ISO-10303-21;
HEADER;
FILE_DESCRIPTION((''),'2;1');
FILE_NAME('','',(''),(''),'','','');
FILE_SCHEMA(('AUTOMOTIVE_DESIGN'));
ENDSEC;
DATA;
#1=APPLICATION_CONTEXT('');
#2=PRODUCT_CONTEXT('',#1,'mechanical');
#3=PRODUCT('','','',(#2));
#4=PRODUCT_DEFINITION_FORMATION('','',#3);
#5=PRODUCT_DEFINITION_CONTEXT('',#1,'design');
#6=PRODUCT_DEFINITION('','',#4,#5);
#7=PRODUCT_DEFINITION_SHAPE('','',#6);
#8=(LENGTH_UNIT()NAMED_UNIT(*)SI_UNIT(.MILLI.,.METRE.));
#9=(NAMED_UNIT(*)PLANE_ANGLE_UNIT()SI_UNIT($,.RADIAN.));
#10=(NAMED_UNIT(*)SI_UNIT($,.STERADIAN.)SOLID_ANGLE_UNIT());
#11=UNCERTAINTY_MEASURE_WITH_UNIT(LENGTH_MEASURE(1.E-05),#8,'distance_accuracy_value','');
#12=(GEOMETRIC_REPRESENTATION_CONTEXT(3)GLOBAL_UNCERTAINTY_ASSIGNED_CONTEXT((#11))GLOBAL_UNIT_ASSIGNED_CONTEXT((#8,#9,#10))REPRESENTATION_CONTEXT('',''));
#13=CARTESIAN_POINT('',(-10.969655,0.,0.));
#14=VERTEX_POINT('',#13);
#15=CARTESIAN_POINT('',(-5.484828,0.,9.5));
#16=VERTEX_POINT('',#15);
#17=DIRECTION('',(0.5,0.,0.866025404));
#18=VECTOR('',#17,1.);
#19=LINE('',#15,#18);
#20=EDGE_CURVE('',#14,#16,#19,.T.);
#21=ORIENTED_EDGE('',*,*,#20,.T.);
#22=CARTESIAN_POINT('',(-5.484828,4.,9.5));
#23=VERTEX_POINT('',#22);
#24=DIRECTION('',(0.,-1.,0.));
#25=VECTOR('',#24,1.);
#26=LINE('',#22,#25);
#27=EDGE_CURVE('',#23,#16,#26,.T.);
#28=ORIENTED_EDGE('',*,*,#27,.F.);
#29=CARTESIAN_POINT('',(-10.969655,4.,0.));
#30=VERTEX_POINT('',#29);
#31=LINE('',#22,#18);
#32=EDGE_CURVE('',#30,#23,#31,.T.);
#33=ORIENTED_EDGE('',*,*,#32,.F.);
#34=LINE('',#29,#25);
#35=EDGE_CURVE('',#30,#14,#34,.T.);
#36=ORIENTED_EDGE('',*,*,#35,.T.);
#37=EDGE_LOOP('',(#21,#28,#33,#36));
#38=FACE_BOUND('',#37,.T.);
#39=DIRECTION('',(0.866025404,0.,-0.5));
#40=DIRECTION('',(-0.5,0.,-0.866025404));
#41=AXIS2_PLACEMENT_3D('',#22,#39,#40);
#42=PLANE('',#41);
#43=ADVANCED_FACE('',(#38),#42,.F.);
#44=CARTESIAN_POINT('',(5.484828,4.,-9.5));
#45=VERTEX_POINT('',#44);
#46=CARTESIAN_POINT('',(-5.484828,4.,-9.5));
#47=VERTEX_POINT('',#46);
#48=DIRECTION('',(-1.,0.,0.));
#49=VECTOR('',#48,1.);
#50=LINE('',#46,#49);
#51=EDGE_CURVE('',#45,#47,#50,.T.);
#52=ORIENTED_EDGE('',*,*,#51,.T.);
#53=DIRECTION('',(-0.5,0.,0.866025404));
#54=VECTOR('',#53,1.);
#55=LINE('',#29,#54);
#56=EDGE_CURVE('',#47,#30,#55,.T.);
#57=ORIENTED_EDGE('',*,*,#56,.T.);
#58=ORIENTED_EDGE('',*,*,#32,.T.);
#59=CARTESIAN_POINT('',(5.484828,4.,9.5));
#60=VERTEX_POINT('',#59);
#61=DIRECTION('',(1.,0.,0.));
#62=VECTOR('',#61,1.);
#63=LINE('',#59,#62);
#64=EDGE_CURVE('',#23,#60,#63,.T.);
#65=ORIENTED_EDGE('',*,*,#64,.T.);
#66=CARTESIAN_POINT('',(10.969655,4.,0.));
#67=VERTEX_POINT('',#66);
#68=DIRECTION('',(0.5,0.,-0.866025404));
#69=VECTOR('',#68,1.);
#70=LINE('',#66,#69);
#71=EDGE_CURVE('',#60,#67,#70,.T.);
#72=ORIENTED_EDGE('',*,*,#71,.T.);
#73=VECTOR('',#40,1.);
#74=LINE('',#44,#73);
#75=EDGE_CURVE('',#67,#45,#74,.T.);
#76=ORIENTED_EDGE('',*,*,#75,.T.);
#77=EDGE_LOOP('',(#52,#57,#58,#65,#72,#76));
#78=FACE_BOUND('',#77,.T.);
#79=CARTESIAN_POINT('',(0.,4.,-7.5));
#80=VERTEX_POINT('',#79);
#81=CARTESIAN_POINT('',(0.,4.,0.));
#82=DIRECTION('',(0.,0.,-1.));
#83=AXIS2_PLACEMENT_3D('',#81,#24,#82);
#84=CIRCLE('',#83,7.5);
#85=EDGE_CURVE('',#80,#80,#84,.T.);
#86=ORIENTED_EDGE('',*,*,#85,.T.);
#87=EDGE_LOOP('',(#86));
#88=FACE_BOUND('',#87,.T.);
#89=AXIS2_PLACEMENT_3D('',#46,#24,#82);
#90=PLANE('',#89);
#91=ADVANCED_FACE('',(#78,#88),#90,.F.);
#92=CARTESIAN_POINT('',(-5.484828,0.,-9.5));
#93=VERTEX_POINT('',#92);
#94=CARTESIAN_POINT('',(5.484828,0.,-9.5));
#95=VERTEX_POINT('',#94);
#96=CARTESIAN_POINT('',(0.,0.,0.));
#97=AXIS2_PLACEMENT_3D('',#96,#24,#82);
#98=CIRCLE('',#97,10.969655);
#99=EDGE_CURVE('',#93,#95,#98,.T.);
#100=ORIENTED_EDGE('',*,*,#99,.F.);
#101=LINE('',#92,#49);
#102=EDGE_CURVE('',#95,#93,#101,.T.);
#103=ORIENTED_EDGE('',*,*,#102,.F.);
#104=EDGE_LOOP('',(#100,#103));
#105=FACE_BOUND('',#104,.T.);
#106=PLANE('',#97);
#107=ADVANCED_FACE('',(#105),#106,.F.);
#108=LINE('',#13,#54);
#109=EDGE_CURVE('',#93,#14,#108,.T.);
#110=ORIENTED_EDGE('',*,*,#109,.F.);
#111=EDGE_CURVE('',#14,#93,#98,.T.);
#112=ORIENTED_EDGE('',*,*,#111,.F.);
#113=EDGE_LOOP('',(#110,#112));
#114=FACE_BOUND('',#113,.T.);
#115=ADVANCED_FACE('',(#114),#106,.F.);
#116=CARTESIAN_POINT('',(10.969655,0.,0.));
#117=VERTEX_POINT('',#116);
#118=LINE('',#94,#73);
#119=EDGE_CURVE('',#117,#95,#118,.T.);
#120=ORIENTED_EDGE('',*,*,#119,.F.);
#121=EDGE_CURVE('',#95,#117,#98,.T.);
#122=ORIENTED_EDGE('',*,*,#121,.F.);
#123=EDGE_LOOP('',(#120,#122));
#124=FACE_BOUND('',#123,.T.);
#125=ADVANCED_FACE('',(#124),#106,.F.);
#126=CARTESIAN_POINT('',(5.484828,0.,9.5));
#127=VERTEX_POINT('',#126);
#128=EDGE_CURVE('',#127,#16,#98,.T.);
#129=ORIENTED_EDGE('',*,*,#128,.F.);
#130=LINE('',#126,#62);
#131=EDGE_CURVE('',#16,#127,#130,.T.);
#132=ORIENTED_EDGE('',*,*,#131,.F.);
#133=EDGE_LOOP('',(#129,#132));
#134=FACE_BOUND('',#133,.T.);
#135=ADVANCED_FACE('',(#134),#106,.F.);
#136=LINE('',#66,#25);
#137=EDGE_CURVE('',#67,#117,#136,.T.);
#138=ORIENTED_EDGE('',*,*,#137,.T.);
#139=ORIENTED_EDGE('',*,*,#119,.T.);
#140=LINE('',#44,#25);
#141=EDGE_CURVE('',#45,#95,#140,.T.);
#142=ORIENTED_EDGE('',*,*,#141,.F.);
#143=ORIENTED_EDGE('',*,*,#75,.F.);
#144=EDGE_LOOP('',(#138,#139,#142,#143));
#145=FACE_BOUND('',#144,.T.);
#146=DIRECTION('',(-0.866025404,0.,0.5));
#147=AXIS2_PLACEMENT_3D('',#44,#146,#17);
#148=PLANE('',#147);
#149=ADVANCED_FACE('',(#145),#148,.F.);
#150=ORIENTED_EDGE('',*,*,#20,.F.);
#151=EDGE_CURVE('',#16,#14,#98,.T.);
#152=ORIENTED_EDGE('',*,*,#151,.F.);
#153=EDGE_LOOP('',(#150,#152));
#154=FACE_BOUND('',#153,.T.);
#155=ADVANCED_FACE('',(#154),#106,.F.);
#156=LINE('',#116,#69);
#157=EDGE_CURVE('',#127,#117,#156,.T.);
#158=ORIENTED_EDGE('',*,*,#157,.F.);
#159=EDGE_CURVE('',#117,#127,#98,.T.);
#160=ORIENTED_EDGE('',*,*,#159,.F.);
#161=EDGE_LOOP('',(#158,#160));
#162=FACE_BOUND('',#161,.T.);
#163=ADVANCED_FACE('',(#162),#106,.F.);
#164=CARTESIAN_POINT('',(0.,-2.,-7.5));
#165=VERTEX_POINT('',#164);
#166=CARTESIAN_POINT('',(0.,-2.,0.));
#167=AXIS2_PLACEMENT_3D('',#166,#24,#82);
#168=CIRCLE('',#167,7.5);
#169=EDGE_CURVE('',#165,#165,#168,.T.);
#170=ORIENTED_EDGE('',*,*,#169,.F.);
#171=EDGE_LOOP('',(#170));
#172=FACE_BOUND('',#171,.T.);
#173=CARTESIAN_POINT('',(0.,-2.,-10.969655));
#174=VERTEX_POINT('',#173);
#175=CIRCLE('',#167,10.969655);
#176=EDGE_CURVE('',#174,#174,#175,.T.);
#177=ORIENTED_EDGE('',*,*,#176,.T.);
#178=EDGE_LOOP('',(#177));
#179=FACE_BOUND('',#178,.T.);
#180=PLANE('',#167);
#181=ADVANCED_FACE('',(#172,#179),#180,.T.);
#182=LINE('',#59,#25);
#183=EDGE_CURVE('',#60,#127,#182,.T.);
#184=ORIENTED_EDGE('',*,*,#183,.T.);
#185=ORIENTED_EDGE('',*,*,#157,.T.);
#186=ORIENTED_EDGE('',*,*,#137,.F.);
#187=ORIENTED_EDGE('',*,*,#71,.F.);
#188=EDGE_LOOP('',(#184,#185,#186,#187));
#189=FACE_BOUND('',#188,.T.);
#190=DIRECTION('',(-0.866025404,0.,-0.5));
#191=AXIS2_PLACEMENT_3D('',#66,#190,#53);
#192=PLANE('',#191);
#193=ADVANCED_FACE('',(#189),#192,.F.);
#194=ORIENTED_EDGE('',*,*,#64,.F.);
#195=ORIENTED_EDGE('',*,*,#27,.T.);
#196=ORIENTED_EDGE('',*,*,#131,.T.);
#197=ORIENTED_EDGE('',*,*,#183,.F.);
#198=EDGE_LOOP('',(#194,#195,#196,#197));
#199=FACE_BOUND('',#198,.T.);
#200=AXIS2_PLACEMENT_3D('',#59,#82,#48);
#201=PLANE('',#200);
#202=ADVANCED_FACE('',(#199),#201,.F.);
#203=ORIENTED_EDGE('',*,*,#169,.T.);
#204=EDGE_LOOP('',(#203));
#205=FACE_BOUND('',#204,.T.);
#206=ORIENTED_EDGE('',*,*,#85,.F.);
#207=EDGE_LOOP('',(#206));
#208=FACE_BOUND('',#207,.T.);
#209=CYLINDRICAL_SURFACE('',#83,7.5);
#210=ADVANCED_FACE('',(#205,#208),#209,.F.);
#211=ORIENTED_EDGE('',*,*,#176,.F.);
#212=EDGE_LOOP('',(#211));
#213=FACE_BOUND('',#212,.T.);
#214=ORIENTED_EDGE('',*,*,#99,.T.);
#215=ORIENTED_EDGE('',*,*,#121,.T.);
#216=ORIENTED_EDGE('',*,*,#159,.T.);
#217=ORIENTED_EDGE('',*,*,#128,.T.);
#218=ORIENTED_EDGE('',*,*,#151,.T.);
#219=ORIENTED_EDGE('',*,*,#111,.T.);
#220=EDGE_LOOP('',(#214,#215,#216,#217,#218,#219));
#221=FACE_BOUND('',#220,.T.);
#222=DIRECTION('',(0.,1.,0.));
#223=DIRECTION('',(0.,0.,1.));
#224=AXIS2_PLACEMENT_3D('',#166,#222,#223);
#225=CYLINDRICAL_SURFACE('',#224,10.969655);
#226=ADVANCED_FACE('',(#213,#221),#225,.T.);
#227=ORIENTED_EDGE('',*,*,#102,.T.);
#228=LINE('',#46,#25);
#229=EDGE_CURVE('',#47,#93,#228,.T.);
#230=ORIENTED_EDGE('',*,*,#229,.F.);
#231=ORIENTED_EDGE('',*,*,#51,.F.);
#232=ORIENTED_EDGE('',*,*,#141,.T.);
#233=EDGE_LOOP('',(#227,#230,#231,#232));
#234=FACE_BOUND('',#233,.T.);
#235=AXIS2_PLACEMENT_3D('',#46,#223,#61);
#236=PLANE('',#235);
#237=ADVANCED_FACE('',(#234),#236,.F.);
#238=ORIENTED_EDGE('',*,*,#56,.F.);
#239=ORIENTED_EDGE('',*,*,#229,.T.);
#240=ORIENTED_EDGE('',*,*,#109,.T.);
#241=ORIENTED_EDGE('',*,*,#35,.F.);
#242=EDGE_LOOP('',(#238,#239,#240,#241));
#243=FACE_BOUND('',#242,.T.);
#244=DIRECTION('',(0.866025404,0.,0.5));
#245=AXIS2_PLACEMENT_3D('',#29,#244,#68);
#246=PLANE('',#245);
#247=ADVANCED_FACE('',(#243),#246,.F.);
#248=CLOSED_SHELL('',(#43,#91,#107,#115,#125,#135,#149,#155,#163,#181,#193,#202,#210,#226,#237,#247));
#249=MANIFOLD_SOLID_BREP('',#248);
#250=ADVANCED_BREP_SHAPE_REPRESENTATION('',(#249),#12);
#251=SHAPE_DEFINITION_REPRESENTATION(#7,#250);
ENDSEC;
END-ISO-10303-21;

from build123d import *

# Parameters (mm, degrees)
EXTRUDE_1_DEPTH     = 4
SKETCH_3_R          = 10.969655115
EXTRUDE_2_DEPTH     = 2
SKETCH_4_R          = 7.5
CUT_EXTRUDE_1_DEPTH = 17.633299933


with BuildPart() as part:
    # Эскиз1 → Вытянуть1 (new body)
    with BuildSketch(Plane(origin=(0, 0, 0), x_dir=(1, 0, 0), z_dir=(0, 1, 0))):
        Polygon((-5.484827557, 9.5), (5.484827557, 9.5), (10.969655115, 0), (5.484827557, -9.5), (-5.484827557, -9.5), (-10.969655115, 0), align=None)
    extrude(amount=EXTRUDE_1_DEPTH)

    # Эскиз3 → Вытянуть2 (add)
    with BuildSketch(Plane.XZ):
        Circle(SKETCH_3_R)
    extrude(amount=EXTRUDE_2_DEPTH)

    # Эскиз4 → Вырез-Вытянуть1 (cut, through all)
    with BuildSketch(Plane.XZ.offset(2)):
        Circle(SKETCH_4_R)
    extrude(amount=-CUT_EXTRUDE_1_DEPTH, mode=Mode.SUBTRACT)


solid = part.part
